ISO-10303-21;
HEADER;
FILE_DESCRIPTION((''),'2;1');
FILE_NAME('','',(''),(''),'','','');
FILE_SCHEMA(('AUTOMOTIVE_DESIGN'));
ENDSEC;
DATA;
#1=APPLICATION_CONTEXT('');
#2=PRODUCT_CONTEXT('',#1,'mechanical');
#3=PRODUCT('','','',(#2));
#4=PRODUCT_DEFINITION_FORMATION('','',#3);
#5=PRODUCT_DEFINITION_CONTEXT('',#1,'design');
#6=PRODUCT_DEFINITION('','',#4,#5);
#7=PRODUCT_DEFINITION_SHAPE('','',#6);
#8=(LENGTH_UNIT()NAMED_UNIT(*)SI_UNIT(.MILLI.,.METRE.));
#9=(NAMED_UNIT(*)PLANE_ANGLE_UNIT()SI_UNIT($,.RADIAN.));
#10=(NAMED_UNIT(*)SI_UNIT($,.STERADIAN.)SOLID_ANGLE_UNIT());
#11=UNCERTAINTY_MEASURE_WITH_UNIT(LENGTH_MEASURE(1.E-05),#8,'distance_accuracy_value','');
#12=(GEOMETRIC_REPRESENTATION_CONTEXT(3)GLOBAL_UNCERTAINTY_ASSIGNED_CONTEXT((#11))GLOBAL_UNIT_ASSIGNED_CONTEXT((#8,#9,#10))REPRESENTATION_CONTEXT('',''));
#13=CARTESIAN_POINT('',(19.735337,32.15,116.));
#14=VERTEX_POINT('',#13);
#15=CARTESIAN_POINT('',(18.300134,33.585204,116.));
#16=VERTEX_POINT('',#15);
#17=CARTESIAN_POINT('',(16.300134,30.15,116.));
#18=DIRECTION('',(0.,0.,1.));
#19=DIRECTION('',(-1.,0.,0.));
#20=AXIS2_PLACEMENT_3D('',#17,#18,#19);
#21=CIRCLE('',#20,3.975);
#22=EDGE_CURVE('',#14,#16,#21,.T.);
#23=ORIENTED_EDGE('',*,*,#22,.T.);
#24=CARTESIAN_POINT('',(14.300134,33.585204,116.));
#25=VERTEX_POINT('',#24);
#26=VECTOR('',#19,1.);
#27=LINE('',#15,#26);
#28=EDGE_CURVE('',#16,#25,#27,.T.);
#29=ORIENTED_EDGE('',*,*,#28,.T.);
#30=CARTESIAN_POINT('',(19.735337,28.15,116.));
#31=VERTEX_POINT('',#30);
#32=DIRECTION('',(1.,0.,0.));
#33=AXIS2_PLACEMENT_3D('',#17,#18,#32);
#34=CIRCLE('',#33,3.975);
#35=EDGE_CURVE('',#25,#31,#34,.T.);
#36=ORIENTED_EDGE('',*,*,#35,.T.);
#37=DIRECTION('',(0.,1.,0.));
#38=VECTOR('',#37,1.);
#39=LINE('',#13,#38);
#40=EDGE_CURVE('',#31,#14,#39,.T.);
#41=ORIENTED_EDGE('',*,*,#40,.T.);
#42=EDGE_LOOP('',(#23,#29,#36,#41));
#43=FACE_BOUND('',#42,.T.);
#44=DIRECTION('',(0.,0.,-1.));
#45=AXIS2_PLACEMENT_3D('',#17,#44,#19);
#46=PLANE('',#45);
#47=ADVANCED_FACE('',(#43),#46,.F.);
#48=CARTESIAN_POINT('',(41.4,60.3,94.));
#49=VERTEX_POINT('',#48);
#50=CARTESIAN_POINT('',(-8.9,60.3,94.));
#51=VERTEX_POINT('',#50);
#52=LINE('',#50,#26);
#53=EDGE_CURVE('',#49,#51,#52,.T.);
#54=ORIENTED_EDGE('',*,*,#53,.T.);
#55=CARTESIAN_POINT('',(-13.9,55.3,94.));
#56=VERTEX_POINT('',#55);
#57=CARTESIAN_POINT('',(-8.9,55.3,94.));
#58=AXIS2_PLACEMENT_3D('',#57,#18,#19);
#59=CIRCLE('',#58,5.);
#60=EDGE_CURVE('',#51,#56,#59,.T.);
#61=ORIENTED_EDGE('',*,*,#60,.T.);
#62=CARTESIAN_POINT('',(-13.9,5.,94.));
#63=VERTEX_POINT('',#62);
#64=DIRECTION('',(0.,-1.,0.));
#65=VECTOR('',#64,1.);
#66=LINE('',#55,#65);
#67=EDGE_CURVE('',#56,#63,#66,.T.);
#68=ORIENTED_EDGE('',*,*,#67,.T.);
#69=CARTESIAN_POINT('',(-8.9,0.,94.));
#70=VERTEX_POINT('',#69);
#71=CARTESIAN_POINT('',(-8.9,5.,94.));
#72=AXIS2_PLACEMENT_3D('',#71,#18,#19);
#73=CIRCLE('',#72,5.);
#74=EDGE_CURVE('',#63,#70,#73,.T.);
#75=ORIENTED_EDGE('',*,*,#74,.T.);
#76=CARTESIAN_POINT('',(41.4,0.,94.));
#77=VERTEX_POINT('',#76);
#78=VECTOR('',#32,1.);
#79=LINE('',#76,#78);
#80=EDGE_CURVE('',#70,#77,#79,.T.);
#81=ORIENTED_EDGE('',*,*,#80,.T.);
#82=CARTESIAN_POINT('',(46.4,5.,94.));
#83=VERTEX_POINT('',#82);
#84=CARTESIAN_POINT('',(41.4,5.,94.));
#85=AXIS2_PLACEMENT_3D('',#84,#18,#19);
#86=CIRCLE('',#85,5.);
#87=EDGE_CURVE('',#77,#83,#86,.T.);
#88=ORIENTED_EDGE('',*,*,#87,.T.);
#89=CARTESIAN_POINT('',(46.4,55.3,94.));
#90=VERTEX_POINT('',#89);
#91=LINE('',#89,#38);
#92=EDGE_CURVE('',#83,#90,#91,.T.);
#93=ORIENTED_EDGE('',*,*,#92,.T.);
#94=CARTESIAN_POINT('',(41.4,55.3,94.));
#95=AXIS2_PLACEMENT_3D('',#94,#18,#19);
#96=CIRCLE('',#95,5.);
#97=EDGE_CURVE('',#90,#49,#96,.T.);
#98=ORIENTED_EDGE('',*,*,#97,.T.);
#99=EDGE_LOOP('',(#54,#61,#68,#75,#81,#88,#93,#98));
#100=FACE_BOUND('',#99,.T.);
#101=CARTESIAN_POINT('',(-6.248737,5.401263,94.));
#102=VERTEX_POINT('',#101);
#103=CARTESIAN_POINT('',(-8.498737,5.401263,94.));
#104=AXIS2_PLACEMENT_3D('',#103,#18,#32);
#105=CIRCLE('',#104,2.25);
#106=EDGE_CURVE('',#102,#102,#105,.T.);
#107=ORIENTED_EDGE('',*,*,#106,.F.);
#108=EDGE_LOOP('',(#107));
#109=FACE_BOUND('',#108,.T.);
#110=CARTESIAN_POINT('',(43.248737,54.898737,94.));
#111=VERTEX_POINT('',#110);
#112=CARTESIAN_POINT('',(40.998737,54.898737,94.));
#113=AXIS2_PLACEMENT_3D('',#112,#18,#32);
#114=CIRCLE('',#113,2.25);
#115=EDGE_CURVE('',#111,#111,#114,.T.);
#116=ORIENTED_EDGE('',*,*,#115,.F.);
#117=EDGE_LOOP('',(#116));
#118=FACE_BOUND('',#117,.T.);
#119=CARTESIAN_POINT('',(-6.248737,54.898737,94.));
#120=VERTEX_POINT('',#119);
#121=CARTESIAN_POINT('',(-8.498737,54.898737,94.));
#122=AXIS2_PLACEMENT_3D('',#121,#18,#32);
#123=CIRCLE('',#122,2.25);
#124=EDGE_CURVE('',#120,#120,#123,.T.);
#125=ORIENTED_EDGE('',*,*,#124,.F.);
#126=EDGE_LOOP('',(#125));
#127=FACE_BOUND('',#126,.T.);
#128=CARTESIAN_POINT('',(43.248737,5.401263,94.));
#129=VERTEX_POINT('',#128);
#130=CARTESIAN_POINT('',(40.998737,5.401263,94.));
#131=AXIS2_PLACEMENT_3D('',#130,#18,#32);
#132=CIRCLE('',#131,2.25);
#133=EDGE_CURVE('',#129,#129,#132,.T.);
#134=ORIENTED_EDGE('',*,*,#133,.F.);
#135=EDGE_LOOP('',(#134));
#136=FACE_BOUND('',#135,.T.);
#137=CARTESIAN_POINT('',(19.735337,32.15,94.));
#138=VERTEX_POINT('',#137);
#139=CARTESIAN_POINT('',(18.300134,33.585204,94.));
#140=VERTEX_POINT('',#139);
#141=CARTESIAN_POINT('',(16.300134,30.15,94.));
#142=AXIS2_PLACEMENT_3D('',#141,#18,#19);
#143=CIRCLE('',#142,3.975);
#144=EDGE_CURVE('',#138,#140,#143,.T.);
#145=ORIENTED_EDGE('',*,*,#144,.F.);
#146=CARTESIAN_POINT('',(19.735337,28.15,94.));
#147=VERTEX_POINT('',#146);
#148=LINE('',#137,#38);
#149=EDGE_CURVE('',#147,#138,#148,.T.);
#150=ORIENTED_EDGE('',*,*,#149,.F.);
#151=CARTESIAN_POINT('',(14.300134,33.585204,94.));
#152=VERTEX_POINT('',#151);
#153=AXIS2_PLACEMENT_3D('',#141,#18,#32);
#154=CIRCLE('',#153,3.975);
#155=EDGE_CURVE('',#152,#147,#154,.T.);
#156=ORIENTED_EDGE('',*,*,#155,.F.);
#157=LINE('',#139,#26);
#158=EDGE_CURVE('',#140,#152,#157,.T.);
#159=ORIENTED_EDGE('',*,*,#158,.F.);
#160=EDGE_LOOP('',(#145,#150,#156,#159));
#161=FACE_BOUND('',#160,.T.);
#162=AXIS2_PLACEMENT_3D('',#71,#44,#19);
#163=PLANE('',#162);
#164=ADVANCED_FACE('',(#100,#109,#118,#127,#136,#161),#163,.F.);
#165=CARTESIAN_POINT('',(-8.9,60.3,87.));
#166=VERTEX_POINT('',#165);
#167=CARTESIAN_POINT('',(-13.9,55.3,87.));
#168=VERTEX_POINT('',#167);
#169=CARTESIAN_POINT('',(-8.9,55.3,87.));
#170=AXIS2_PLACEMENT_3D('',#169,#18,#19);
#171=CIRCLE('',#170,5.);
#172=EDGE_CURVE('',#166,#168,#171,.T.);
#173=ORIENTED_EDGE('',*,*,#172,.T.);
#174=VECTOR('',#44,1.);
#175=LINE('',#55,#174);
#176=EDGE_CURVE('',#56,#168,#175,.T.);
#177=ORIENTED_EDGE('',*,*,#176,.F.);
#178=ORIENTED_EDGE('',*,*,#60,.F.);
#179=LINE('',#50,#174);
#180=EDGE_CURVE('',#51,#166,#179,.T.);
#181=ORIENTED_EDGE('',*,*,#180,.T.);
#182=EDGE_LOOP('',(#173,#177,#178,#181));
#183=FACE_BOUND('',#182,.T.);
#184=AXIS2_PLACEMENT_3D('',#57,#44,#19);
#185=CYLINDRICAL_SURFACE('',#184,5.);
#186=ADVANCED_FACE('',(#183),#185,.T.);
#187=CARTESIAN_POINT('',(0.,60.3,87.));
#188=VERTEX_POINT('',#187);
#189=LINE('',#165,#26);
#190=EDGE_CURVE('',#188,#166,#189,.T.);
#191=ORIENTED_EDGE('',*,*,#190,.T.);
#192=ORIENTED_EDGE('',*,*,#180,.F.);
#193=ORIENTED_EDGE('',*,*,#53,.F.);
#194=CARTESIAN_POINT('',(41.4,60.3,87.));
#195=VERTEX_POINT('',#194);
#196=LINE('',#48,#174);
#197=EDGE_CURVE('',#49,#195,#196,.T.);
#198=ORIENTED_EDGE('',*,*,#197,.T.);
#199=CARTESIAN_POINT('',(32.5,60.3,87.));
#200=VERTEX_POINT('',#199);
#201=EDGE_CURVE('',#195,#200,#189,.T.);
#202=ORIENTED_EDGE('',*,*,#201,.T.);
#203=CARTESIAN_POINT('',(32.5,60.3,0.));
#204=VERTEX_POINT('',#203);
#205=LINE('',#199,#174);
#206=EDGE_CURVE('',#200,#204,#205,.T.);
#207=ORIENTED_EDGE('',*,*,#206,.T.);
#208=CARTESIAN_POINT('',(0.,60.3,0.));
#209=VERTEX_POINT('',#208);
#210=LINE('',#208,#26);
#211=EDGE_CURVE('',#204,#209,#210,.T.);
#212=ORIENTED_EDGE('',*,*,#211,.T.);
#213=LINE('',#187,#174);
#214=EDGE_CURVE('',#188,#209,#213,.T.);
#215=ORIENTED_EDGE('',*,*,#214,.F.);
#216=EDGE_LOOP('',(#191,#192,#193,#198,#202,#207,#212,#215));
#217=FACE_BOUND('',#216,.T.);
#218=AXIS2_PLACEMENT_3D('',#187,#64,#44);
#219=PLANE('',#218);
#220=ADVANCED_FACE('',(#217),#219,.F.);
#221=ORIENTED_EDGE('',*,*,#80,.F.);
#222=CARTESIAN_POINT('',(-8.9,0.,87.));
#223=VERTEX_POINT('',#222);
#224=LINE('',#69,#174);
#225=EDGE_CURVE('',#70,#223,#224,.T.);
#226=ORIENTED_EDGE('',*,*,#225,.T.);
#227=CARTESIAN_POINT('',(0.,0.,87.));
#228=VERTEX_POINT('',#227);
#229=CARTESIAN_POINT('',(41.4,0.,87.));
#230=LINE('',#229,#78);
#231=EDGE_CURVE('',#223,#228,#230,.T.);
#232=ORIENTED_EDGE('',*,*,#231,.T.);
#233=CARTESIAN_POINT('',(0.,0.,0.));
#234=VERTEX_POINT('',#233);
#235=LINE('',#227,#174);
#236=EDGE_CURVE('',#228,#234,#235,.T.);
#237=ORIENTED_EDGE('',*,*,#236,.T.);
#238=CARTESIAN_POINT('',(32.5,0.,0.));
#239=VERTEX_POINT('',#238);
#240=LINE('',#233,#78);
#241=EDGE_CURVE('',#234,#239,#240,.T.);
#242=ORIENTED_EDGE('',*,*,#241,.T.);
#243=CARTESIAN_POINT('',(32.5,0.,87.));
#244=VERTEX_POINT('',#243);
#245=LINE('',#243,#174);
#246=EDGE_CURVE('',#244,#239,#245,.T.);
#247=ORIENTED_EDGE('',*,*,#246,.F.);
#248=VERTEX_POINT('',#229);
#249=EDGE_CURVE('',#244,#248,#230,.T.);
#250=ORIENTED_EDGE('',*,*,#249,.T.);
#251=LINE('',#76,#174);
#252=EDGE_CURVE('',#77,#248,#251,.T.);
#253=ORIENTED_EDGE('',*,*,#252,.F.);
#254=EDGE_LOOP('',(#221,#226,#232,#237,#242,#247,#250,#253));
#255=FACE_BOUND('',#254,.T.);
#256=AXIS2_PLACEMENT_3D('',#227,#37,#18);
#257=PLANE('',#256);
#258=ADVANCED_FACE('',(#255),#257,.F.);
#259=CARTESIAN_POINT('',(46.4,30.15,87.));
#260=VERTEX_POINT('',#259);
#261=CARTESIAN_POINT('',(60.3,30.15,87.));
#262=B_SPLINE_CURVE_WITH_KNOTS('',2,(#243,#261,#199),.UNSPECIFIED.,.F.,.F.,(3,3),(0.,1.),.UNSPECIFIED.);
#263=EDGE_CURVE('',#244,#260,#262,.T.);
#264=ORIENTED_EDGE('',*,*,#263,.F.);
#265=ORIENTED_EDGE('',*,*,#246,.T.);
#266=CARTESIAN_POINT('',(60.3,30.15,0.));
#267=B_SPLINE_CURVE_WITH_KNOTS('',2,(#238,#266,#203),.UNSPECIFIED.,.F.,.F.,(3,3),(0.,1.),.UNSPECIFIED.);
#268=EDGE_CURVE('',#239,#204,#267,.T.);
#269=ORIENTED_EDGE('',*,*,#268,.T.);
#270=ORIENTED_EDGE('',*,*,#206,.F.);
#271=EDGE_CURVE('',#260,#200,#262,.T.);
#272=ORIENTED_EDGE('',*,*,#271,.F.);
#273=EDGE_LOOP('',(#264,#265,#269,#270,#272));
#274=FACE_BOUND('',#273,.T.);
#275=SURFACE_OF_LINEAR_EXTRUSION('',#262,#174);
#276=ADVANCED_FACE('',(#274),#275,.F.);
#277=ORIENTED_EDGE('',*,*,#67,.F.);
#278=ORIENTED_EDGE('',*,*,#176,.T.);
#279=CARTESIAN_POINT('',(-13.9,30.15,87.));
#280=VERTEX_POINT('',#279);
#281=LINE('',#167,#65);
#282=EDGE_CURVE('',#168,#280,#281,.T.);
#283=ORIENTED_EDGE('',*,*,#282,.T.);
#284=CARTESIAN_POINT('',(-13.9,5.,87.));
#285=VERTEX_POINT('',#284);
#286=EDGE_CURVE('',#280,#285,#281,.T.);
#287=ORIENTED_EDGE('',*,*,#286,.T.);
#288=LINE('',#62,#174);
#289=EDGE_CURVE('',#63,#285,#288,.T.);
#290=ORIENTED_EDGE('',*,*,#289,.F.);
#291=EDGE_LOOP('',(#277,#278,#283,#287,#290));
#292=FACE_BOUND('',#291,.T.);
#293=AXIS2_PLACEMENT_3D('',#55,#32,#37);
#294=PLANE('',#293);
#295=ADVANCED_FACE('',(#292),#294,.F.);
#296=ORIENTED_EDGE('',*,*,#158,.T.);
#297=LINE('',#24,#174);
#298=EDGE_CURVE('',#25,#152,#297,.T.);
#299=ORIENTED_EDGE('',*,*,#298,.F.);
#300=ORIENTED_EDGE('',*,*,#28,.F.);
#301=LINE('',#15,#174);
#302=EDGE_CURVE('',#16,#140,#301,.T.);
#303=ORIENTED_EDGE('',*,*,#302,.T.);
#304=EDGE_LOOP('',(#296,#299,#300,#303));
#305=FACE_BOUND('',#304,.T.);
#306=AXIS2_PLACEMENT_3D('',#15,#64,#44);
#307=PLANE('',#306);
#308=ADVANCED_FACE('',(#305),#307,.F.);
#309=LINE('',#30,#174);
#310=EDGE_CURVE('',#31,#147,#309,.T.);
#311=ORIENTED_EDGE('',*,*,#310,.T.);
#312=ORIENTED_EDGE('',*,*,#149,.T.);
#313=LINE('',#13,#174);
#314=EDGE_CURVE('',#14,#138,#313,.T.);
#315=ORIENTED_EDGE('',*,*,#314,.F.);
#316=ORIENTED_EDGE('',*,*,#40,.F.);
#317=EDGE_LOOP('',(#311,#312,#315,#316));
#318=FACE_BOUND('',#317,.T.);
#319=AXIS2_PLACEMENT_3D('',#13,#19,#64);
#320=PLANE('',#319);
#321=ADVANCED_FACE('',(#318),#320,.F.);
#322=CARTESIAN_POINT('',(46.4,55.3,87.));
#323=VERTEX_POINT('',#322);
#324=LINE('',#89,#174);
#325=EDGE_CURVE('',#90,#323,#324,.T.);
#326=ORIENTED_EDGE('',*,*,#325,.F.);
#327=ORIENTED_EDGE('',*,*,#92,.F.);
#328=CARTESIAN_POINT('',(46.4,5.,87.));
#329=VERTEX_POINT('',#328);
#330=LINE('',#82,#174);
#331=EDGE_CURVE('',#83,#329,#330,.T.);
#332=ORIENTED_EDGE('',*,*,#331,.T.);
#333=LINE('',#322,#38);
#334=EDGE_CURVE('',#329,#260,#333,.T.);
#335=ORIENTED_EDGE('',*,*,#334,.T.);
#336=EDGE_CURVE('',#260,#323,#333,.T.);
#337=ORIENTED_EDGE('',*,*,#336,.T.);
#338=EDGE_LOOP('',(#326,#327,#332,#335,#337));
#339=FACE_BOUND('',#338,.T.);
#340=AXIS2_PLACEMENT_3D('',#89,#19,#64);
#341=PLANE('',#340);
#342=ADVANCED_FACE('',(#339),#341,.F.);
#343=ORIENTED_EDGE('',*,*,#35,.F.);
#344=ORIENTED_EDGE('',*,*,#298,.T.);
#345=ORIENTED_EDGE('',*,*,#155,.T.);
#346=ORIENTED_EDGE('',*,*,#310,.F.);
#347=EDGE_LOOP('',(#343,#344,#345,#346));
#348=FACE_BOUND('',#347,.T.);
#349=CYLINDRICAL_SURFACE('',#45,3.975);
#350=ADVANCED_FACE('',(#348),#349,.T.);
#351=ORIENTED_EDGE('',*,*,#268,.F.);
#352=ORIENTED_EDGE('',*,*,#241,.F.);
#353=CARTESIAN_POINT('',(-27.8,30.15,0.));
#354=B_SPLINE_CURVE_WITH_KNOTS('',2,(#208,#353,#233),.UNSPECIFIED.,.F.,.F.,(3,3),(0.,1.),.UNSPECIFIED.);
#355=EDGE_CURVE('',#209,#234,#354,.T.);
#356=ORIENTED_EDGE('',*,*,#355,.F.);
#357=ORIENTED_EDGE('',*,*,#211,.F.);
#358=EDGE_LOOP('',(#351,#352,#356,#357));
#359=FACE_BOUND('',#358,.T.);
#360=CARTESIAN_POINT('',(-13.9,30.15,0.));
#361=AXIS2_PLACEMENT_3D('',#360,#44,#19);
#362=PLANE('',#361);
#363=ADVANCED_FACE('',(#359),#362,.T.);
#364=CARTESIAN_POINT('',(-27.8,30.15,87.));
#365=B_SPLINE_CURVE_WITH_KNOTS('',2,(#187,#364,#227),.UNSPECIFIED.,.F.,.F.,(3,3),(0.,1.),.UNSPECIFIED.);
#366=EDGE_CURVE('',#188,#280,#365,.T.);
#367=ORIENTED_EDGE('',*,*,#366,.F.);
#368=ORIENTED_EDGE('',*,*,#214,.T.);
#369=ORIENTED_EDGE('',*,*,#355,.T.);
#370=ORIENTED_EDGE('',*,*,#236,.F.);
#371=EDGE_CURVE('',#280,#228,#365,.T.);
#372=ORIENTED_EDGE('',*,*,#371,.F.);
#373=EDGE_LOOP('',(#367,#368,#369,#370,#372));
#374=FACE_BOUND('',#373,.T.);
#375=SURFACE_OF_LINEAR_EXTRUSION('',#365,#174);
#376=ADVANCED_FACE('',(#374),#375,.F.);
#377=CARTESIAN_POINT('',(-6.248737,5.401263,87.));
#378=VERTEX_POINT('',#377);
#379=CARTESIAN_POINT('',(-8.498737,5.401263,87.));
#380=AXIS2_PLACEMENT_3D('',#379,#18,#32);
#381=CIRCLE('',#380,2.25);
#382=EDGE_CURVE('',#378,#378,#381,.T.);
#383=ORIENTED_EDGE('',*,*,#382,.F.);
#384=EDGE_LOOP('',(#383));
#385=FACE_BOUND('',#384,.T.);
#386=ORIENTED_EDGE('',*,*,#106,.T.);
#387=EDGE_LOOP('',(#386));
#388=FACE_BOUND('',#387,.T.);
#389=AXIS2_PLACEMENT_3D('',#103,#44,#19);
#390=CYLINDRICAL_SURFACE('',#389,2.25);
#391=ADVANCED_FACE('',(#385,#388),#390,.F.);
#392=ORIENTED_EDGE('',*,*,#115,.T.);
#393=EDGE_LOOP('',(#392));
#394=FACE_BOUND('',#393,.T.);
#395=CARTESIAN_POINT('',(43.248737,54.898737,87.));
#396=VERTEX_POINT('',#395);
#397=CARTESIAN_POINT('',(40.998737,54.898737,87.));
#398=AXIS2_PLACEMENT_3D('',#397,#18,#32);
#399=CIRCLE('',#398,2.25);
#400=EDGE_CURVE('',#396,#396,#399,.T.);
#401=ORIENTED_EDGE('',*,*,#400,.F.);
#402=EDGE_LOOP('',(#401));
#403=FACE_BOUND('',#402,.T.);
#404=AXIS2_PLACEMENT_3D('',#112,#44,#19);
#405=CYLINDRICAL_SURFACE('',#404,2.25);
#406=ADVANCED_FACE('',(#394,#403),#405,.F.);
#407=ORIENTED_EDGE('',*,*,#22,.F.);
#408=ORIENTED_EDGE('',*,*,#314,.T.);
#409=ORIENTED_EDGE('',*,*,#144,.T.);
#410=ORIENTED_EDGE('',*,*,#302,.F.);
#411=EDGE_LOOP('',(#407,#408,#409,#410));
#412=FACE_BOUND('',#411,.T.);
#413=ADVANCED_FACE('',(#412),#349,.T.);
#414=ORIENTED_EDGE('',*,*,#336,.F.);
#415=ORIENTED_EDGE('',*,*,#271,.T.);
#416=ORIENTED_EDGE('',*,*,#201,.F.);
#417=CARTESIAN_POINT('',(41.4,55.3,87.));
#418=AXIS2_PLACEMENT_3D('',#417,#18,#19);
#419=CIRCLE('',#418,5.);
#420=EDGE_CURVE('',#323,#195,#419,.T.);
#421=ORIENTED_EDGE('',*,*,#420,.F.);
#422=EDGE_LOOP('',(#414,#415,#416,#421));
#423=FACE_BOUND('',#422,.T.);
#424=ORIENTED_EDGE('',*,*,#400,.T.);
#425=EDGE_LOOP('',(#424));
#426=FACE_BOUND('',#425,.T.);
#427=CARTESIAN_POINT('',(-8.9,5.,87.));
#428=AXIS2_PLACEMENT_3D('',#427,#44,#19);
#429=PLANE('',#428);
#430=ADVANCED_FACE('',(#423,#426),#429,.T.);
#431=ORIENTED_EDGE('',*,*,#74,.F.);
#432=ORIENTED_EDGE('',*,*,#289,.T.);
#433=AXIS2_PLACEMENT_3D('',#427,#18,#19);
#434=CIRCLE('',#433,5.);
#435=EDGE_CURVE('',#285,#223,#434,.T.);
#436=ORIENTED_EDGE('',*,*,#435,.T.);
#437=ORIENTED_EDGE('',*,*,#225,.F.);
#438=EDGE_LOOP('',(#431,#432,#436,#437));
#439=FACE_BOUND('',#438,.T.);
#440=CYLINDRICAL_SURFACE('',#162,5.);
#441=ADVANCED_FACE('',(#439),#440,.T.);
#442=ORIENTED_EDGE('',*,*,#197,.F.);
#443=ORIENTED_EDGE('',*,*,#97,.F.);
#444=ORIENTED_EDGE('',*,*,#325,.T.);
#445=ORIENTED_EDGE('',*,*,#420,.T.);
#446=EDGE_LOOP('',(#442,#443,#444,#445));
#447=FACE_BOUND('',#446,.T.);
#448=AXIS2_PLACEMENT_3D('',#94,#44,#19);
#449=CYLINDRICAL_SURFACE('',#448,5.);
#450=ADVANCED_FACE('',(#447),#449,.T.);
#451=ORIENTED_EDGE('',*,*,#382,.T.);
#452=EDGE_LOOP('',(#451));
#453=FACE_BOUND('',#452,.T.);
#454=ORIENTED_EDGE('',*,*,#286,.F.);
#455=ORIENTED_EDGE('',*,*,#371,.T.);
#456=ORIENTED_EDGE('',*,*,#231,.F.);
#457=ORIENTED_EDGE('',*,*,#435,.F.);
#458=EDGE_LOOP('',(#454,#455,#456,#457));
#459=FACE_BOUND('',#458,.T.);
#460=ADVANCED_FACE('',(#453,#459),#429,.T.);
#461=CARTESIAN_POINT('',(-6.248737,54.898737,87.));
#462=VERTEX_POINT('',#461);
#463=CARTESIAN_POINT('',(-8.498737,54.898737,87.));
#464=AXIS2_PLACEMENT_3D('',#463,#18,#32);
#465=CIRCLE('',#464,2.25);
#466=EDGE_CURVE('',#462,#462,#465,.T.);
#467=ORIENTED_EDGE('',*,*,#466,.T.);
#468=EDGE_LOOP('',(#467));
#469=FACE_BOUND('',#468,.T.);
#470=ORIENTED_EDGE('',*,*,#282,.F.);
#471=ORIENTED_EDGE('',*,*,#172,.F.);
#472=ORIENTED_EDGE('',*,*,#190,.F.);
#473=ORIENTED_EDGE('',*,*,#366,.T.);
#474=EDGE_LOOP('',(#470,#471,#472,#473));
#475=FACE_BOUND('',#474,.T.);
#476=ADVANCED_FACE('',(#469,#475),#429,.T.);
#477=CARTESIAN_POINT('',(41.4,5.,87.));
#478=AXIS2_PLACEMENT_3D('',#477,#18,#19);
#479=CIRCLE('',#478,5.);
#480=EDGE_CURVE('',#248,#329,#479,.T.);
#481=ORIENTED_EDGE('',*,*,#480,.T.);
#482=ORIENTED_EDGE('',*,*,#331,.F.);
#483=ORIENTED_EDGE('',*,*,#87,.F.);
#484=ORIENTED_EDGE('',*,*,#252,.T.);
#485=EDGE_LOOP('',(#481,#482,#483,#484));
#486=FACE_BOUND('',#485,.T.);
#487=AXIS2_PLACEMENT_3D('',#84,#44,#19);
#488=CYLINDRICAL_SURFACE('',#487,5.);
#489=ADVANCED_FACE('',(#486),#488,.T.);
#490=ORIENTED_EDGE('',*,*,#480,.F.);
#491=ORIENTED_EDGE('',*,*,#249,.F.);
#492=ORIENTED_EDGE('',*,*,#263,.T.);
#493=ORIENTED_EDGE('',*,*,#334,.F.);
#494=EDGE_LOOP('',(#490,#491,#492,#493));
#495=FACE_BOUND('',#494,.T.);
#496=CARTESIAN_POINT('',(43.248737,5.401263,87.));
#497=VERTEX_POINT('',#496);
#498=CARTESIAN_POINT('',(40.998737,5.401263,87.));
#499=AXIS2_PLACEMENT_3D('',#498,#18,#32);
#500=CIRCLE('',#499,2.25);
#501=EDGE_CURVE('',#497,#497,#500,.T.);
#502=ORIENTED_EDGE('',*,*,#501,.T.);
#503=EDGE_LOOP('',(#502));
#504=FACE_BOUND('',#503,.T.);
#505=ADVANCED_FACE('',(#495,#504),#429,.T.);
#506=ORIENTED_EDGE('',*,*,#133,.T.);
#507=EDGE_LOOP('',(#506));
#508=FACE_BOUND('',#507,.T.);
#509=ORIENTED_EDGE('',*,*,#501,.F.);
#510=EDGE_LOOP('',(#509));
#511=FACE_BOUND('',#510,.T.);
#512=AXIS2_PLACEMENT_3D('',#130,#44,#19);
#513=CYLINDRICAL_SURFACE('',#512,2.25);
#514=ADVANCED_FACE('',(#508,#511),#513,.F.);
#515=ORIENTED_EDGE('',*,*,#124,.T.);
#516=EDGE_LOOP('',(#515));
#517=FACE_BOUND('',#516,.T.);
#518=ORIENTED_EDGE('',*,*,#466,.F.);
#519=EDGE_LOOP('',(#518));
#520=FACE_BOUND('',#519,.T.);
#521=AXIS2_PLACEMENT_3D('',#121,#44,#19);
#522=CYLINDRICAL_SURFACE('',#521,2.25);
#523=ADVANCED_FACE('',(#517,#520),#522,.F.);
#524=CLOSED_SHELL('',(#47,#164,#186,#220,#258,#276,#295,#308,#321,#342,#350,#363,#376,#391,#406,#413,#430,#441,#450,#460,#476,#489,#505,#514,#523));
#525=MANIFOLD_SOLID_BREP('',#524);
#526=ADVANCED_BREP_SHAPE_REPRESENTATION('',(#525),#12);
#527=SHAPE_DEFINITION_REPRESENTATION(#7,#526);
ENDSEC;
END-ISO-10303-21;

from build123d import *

# Parameters (mm, degrees)
BOSS_EXTRUDE1_DEPTH = 87
SKETCH2_R           = 2.25
BOSS_EXTRUDE2_DEPTH = 7
BOSS_EXTRUDE3_DEPTH = 22


with BuildPart() as part:
    # Sketch1 → Boss-Extrude1 (new body)
    with BuildSketch(Plane.XY):
        with BuildLine():
            Line((0, 0), (32.5, 0))
            add(Edge.make_bspline(
                [(32.5, 60.3), (60.3, 30.15), (32.5, 0)],
                knots=[0, 0, 0, 1, 1, 1], degree=2))
            Line((32.5, 60.3), (0, 60.3))
            add(Edge.make_bspline(
                [(0, 60.3), (-27.8, 30.15), (0, 0)],
                knots=[0, 0, 0, 1, 1, 1], degree=2))
        make_face()
    extrude(amount=BOSS_EXTRUDE1_DEPTH)

    # Sketch2 → Boss-Extrude2 (add)
    with BuildSketch(Plane.XY.offset(87)):
        with BuildLine():
            Line((-13.9, 55.3), (-13.9, 5))
            ThreePointArc((-13.9, 5), (-12.435533906, 1.464466094), (-8.9, 0))
            Line((-8.9, 0), (41.4, 0))
            ThreePointArc((41.4, 0), (44.935533906, 1.464466094), (46.4, 5))
            Line((46.4, 5), (46.4, 55.3))
            ThreePointArc((46.4, 55.3), (44.935533906, 58.835533906), (41.4, 60.3))
            Line((41.4, 60.3), (-8.9, 60.3))
            ThreePointArc((-8.9, 60.3), (-12.435533906, 58.835533906), (-13.9, 55.3))
        make_face()
        with Locations((40.998737342, 54.898737342)):
            Circle(SKETCH2_R, mode=Mode.SUBTRACT)
        with Locations((40.998737342, 5.401262658)):
            Circle(SKETCH2_R, mode=Mode.SUBTRACT)
        with Locations((-8.498737342, 5.401262658)):
            Circle(SKETCH2_R, mode=Mode.SUBTRACT)
        with Locations((-8.498737342, 54.898737342)):
            Circle(SKETCH2_R, mode=Mode.SUBTRACT)
    extrude(amount=BOSS_EXTRUDE2_DEPTH)

    # Sketch3 → Boss-Extrude3 (add)
    with BuildSketch(Plane.XY.offset(94)):
        with BuildLine():
            Line((18.300133509, 33.585203779), (14.300133509, 33.585203779))
            ThreePointArc((14.300133509, 33.585203779), (13.489384054, 27.339250545), (19.735337287, 28.15))
            Line((19.735337287, 28.15), (19.735337287, 32.15))
            ThreePointArc((19.735337287, 32.15), (19.110882964, 32.960749455), (18.300133509, 33.585203779))
        make_face()
    extrude(amount=BOSS_EXTRUDE3_DEPTH)


solid = part.part
